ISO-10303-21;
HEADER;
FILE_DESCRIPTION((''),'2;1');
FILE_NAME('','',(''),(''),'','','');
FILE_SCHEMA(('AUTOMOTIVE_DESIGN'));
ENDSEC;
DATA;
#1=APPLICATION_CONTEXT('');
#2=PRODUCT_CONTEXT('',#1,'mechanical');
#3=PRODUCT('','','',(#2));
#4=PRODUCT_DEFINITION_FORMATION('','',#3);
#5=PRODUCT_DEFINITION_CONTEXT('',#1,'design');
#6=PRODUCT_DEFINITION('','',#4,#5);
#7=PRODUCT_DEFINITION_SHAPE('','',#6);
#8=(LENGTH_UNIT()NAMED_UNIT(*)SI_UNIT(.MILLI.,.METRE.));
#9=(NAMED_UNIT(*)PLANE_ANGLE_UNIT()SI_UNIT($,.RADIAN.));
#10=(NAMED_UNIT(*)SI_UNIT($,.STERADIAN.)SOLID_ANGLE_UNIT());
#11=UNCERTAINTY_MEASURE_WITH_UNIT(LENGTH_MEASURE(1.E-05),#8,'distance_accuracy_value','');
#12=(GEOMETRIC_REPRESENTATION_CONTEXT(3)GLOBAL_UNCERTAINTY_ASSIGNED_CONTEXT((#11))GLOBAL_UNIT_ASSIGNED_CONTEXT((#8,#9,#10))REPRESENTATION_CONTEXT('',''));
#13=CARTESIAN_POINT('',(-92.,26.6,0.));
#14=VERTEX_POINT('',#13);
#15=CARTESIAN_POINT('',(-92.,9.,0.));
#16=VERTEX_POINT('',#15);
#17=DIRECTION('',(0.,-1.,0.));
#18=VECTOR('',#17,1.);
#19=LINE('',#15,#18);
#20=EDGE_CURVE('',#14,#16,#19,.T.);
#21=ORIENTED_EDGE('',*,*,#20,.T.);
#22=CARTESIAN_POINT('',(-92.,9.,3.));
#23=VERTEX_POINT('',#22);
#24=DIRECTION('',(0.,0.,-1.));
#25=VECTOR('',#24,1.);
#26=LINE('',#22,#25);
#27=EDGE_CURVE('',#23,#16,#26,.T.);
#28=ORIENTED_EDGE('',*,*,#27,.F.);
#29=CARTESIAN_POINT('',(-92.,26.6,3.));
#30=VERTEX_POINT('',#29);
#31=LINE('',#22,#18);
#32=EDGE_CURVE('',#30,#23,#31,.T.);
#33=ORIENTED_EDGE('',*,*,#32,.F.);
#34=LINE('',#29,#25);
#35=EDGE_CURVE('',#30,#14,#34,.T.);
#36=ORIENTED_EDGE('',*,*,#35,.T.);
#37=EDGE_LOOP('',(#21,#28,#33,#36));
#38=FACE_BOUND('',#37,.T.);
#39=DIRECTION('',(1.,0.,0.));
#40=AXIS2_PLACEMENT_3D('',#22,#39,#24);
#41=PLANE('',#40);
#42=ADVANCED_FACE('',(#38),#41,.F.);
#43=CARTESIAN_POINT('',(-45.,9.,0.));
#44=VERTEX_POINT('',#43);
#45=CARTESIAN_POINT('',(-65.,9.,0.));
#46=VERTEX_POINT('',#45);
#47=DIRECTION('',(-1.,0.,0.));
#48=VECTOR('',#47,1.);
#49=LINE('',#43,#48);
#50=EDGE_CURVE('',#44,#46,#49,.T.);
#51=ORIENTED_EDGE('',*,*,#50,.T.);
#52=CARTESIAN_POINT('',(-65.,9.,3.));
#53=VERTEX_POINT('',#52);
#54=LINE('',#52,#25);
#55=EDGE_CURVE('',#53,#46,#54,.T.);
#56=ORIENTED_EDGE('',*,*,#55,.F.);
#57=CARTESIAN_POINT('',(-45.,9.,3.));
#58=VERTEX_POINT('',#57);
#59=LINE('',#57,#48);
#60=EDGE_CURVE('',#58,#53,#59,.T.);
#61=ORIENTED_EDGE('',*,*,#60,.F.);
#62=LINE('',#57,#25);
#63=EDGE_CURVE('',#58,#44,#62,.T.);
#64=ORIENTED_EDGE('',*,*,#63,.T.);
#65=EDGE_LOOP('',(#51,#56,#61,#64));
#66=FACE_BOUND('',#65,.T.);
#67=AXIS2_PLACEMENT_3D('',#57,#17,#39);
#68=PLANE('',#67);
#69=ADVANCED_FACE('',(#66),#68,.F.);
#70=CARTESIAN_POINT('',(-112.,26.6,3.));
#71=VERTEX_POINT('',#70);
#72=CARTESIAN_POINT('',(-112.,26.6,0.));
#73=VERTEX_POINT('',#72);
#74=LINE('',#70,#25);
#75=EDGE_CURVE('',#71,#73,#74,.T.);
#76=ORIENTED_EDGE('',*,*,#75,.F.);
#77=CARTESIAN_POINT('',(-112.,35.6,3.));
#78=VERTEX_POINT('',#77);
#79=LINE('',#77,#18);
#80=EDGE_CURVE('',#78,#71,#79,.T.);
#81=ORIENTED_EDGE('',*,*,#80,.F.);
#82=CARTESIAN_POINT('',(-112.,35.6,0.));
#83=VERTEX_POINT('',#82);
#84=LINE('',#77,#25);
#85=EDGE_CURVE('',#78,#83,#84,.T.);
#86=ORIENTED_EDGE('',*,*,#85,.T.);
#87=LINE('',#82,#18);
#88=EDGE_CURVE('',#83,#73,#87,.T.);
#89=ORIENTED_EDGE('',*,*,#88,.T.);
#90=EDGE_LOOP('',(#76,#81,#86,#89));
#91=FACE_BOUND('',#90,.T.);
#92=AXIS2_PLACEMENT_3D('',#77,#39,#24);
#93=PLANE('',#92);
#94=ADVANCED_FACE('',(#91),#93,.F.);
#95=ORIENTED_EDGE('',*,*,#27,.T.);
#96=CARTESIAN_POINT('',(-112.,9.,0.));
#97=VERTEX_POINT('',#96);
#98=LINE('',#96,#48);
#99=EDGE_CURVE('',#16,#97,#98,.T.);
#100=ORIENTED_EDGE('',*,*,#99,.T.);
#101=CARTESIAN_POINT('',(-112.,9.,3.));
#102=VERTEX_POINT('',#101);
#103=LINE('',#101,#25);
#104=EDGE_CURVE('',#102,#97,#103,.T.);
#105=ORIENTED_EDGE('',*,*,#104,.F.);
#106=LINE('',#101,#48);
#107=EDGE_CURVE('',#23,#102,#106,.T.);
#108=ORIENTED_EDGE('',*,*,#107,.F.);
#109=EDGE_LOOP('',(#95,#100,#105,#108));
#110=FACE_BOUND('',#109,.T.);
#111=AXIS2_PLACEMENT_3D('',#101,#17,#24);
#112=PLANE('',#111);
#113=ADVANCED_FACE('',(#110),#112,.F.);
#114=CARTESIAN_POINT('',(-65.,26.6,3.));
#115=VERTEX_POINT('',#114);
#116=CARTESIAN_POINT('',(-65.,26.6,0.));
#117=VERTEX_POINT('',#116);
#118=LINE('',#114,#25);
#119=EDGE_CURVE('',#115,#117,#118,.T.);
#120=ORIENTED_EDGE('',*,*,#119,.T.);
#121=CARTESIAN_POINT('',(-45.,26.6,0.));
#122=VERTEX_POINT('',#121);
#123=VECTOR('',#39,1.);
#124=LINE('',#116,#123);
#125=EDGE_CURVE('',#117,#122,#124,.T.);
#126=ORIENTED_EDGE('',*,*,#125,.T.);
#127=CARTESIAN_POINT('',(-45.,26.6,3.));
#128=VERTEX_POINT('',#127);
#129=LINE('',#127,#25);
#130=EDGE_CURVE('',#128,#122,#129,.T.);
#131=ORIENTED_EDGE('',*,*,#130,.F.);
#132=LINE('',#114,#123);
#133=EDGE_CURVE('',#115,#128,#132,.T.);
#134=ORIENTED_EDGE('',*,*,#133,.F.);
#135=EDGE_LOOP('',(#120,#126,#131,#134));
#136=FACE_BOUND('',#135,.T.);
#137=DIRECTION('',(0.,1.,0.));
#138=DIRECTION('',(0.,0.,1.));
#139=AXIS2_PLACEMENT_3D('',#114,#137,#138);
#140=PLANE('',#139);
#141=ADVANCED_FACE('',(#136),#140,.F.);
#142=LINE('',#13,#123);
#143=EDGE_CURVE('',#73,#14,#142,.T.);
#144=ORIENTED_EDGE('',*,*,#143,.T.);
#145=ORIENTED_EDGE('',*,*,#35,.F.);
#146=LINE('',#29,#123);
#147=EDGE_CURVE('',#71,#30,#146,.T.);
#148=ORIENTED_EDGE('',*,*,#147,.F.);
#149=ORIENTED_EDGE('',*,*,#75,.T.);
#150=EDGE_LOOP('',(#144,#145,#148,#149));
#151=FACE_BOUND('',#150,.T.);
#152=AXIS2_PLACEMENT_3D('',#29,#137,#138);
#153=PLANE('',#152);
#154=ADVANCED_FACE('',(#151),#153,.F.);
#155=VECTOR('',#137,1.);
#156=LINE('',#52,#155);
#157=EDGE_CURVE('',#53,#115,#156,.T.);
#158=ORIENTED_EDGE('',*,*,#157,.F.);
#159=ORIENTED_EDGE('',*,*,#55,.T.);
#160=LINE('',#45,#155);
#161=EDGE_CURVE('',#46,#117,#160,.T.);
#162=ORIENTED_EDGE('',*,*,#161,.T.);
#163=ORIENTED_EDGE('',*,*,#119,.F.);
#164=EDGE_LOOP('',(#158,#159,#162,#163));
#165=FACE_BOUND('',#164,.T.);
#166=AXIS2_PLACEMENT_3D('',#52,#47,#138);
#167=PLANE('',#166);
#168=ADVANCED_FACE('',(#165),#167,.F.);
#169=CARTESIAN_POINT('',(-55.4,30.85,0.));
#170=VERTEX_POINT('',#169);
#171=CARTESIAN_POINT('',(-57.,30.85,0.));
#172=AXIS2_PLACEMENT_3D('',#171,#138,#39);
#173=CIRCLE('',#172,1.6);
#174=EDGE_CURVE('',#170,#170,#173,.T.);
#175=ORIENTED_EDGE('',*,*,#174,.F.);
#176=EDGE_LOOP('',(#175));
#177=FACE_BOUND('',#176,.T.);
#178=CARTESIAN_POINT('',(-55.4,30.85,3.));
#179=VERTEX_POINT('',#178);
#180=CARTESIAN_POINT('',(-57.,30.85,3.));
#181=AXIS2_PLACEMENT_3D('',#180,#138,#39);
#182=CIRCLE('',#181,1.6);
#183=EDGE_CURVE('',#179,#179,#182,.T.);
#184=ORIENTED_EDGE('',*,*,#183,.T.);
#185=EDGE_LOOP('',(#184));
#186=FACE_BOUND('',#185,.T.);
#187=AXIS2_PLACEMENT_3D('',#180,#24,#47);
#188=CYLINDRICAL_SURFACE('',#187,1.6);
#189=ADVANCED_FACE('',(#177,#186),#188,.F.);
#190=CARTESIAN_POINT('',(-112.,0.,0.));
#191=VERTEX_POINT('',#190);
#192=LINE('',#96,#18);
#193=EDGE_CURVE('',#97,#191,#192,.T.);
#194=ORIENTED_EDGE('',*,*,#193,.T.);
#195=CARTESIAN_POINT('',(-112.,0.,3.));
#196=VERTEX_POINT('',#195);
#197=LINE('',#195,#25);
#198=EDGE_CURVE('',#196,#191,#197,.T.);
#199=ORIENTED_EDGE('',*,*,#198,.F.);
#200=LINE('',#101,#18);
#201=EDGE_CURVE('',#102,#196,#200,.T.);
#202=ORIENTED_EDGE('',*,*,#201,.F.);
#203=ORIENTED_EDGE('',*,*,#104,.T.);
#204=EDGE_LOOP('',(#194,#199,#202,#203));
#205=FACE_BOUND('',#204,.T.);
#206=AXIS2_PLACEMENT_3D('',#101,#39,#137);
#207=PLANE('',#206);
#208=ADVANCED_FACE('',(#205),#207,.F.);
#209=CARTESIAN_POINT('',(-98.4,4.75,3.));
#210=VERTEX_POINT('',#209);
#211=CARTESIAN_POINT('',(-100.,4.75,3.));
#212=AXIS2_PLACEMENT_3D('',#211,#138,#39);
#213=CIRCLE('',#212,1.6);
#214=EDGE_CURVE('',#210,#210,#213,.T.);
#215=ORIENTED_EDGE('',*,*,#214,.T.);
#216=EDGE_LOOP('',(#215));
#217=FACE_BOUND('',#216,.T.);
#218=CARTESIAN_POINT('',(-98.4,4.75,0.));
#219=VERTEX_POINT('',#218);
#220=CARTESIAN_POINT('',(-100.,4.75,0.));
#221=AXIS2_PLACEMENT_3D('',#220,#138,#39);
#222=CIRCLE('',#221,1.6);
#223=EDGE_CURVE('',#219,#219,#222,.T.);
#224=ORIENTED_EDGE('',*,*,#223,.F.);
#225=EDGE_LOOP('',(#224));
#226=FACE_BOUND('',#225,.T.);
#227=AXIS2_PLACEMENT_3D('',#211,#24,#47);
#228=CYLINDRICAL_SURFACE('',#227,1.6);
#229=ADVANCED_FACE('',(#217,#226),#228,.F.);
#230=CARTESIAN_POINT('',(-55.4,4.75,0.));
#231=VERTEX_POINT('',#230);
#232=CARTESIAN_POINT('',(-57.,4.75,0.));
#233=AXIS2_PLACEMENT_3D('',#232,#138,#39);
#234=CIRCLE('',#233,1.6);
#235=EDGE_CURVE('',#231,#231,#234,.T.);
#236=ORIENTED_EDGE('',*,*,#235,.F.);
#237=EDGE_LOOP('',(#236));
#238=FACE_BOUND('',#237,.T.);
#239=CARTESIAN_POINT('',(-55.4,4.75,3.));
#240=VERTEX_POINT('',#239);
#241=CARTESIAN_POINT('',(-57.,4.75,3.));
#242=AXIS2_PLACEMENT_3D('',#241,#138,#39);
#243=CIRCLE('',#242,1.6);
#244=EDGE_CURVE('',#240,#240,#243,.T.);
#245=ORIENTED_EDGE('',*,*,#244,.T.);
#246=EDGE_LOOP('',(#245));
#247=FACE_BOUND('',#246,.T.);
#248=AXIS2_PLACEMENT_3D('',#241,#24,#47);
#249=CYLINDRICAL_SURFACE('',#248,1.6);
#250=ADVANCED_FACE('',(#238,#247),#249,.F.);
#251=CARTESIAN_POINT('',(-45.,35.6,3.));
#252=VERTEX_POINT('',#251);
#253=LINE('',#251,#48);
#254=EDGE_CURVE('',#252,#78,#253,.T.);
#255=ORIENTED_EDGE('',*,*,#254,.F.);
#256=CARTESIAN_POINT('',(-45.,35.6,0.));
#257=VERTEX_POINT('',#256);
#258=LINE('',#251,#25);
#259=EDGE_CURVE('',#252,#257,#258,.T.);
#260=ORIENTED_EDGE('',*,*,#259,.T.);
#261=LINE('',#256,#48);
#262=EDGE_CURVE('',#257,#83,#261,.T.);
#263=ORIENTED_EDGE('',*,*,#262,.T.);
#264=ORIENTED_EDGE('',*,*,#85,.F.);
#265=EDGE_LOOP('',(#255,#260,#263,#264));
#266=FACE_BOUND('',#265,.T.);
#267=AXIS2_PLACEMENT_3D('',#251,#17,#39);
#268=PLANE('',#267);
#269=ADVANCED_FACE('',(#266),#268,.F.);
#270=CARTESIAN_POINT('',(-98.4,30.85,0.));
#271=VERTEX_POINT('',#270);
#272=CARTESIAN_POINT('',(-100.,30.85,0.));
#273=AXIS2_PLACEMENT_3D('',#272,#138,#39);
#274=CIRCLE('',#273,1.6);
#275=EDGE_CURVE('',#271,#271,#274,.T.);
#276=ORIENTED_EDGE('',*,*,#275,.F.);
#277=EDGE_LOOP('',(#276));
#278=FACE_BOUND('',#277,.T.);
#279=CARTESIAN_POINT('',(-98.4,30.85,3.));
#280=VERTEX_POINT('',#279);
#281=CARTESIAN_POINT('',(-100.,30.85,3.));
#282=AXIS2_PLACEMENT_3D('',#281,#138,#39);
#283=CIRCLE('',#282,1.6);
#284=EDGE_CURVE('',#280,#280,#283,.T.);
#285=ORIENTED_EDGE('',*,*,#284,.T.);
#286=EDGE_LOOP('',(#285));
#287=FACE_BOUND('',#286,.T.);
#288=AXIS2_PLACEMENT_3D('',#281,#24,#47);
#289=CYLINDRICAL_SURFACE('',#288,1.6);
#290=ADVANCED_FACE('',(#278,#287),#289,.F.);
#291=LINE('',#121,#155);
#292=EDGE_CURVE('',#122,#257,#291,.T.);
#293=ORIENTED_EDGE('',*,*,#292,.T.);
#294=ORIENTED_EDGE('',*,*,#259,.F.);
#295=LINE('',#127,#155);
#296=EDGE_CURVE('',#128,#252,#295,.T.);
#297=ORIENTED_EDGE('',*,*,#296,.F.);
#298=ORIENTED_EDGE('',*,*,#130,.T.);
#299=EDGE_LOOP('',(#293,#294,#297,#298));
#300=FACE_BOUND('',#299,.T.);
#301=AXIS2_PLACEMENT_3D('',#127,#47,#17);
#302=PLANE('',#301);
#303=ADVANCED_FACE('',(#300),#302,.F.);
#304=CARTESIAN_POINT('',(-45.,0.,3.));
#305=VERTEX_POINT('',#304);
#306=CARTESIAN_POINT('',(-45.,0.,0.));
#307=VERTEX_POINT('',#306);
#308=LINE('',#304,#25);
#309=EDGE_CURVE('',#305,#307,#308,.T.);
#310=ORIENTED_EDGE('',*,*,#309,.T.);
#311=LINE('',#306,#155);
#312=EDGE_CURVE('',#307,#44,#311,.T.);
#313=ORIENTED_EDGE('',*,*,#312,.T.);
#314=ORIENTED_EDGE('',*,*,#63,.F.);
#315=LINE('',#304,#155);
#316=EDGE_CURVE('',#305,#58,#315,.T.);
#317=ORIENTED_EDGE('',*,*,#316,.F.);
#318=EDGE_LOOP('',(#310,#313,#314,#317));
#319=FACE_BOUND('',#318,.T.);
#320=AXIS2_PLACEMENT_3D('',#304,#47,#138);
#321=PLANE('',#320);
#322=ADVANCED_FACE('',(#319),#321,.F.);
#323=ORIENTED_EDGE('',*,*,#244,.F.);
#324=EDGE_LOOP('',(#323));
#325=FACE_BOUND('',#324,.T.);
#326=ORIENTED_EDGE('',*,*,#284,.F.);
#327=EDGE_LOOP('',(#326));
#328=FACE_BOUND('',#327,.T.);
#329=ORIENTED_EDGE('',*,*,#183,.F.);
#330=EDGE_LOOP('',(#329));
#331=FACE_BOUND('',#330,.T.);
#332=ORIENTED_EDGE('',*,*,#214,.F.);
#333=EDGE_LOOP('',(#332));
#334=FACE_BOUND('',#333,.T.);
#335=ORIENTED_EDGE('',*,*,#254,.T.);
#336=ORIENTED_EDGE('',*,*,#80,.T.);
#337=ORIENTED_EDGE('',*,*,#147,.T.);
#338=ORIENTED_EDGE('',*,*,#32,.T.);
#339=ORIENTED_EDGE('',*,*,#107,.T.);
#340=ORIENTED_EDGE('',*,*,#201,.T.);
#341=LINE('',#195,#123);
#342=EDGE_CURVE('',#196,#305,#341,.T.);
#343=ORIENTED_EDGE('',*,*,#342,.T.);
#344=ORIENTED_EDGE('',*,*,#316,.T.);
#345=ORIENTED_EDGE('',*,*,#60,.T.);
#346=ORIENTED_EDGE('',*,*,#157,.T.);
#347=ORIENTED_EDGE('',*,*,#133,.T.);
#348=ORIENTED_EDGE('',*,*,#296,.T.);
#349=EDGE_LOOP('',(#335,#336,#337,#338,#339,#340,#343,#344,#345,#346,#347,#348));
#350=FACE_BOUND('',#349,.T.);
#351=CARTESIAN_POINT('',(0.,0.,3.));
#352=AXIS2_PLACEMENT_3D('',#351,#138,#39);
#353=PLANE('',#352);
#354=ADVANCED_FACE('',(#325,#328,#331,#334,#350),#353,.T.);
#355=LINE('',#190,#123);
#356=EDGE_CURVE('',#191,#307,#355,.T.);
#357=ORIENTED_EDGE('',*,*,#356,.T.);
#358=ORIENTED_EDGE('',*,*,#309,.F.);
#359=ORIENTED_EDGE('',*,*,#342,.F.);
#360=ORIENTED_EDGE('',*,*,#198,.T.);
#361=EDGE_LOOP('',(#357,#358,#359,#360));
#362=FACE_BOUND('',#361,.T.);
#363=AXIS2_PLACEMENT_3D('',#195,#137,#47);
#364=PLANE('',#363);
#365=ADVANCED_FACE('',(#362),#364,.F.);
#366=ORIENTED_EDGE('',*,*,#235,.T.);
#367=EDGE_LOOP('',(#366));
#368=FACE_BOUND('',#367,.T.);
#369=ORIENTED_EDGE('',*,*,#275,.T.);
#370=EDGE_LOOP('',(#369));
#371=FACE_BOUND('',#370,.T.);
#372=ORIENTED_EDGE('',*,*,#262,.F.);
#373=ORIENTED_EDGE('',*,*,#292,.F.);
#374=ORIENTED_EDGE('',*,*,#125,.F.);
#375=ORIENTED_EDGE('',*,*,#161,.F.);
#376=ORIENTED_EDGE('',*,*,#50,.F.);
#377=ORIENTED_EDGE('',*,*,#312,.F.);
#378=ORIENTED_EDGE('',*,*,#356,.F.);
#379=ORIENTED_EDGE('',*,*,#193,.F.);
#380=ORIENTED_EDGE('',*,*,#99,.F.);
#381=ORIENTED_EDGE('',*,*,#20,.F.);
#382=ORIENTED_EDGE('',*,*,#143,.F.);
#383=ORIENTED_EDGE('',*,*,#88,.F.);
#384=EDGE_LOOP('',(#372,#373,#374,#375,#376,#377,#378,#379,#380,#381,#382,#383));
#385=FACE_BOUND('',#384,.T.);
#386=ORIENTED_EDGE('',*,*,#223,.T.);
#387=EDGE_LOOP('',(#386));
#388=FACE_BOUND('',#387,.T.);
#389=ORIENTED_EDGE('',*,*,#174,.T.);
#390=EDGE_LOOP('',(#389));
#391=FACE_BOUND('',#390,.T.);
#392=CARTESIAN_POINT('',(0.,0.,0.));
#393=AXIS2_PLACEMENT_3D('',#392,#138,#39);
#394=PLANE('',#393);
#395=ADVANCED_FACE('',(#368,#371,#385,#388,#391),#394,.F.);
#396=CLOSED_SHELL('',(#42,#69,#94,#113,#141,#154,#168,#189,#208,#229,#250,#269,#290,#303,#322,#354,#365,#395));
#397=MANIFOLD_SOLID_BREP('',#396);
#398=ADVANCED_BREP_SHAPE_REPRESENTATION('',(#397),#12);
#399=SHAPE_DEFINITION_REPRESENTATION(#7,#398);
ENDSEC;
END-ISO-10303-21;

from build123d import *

# Parameters (mm, degrees)
SKETCH_1_R      = 1.6
EXTRUDE_1_DEPTH = 3


with BuildPart() as part:
    # 草图1 → 凸台-拉伸1 (new body)
    with BuildSketch(Plane.XY):
        Polygon((-45, 0), (-45, 9), (-65, 9), (-65, 26.6), (-45, 26.6), (-45, 35.6), (-112, 35.6), (-112, 26.6), (-92, 26.6), (-92, 9), (-112, 9), (-112, 0), align=None)
        with Locations((-57, 4.75)):
            Circle(SKETCH_1_R, mode=Mode.SUBTRACT)
        with Locations((-57, 30.85)):
            Circle(SKETCH_1_R, mode=Mode.SUBTRACT)
        with Locations((-100, 4.75)):
            Circle(SKETCH_1_R, mode=Mode.SUBTRACT)
        with Locations((-100, 30.85)):
            Circle(SKETCH_1_R, mode=Mode.SUBTRACT)
    extrude(amount=EXTRUDE_1_DEPTH)


solid = part.part
